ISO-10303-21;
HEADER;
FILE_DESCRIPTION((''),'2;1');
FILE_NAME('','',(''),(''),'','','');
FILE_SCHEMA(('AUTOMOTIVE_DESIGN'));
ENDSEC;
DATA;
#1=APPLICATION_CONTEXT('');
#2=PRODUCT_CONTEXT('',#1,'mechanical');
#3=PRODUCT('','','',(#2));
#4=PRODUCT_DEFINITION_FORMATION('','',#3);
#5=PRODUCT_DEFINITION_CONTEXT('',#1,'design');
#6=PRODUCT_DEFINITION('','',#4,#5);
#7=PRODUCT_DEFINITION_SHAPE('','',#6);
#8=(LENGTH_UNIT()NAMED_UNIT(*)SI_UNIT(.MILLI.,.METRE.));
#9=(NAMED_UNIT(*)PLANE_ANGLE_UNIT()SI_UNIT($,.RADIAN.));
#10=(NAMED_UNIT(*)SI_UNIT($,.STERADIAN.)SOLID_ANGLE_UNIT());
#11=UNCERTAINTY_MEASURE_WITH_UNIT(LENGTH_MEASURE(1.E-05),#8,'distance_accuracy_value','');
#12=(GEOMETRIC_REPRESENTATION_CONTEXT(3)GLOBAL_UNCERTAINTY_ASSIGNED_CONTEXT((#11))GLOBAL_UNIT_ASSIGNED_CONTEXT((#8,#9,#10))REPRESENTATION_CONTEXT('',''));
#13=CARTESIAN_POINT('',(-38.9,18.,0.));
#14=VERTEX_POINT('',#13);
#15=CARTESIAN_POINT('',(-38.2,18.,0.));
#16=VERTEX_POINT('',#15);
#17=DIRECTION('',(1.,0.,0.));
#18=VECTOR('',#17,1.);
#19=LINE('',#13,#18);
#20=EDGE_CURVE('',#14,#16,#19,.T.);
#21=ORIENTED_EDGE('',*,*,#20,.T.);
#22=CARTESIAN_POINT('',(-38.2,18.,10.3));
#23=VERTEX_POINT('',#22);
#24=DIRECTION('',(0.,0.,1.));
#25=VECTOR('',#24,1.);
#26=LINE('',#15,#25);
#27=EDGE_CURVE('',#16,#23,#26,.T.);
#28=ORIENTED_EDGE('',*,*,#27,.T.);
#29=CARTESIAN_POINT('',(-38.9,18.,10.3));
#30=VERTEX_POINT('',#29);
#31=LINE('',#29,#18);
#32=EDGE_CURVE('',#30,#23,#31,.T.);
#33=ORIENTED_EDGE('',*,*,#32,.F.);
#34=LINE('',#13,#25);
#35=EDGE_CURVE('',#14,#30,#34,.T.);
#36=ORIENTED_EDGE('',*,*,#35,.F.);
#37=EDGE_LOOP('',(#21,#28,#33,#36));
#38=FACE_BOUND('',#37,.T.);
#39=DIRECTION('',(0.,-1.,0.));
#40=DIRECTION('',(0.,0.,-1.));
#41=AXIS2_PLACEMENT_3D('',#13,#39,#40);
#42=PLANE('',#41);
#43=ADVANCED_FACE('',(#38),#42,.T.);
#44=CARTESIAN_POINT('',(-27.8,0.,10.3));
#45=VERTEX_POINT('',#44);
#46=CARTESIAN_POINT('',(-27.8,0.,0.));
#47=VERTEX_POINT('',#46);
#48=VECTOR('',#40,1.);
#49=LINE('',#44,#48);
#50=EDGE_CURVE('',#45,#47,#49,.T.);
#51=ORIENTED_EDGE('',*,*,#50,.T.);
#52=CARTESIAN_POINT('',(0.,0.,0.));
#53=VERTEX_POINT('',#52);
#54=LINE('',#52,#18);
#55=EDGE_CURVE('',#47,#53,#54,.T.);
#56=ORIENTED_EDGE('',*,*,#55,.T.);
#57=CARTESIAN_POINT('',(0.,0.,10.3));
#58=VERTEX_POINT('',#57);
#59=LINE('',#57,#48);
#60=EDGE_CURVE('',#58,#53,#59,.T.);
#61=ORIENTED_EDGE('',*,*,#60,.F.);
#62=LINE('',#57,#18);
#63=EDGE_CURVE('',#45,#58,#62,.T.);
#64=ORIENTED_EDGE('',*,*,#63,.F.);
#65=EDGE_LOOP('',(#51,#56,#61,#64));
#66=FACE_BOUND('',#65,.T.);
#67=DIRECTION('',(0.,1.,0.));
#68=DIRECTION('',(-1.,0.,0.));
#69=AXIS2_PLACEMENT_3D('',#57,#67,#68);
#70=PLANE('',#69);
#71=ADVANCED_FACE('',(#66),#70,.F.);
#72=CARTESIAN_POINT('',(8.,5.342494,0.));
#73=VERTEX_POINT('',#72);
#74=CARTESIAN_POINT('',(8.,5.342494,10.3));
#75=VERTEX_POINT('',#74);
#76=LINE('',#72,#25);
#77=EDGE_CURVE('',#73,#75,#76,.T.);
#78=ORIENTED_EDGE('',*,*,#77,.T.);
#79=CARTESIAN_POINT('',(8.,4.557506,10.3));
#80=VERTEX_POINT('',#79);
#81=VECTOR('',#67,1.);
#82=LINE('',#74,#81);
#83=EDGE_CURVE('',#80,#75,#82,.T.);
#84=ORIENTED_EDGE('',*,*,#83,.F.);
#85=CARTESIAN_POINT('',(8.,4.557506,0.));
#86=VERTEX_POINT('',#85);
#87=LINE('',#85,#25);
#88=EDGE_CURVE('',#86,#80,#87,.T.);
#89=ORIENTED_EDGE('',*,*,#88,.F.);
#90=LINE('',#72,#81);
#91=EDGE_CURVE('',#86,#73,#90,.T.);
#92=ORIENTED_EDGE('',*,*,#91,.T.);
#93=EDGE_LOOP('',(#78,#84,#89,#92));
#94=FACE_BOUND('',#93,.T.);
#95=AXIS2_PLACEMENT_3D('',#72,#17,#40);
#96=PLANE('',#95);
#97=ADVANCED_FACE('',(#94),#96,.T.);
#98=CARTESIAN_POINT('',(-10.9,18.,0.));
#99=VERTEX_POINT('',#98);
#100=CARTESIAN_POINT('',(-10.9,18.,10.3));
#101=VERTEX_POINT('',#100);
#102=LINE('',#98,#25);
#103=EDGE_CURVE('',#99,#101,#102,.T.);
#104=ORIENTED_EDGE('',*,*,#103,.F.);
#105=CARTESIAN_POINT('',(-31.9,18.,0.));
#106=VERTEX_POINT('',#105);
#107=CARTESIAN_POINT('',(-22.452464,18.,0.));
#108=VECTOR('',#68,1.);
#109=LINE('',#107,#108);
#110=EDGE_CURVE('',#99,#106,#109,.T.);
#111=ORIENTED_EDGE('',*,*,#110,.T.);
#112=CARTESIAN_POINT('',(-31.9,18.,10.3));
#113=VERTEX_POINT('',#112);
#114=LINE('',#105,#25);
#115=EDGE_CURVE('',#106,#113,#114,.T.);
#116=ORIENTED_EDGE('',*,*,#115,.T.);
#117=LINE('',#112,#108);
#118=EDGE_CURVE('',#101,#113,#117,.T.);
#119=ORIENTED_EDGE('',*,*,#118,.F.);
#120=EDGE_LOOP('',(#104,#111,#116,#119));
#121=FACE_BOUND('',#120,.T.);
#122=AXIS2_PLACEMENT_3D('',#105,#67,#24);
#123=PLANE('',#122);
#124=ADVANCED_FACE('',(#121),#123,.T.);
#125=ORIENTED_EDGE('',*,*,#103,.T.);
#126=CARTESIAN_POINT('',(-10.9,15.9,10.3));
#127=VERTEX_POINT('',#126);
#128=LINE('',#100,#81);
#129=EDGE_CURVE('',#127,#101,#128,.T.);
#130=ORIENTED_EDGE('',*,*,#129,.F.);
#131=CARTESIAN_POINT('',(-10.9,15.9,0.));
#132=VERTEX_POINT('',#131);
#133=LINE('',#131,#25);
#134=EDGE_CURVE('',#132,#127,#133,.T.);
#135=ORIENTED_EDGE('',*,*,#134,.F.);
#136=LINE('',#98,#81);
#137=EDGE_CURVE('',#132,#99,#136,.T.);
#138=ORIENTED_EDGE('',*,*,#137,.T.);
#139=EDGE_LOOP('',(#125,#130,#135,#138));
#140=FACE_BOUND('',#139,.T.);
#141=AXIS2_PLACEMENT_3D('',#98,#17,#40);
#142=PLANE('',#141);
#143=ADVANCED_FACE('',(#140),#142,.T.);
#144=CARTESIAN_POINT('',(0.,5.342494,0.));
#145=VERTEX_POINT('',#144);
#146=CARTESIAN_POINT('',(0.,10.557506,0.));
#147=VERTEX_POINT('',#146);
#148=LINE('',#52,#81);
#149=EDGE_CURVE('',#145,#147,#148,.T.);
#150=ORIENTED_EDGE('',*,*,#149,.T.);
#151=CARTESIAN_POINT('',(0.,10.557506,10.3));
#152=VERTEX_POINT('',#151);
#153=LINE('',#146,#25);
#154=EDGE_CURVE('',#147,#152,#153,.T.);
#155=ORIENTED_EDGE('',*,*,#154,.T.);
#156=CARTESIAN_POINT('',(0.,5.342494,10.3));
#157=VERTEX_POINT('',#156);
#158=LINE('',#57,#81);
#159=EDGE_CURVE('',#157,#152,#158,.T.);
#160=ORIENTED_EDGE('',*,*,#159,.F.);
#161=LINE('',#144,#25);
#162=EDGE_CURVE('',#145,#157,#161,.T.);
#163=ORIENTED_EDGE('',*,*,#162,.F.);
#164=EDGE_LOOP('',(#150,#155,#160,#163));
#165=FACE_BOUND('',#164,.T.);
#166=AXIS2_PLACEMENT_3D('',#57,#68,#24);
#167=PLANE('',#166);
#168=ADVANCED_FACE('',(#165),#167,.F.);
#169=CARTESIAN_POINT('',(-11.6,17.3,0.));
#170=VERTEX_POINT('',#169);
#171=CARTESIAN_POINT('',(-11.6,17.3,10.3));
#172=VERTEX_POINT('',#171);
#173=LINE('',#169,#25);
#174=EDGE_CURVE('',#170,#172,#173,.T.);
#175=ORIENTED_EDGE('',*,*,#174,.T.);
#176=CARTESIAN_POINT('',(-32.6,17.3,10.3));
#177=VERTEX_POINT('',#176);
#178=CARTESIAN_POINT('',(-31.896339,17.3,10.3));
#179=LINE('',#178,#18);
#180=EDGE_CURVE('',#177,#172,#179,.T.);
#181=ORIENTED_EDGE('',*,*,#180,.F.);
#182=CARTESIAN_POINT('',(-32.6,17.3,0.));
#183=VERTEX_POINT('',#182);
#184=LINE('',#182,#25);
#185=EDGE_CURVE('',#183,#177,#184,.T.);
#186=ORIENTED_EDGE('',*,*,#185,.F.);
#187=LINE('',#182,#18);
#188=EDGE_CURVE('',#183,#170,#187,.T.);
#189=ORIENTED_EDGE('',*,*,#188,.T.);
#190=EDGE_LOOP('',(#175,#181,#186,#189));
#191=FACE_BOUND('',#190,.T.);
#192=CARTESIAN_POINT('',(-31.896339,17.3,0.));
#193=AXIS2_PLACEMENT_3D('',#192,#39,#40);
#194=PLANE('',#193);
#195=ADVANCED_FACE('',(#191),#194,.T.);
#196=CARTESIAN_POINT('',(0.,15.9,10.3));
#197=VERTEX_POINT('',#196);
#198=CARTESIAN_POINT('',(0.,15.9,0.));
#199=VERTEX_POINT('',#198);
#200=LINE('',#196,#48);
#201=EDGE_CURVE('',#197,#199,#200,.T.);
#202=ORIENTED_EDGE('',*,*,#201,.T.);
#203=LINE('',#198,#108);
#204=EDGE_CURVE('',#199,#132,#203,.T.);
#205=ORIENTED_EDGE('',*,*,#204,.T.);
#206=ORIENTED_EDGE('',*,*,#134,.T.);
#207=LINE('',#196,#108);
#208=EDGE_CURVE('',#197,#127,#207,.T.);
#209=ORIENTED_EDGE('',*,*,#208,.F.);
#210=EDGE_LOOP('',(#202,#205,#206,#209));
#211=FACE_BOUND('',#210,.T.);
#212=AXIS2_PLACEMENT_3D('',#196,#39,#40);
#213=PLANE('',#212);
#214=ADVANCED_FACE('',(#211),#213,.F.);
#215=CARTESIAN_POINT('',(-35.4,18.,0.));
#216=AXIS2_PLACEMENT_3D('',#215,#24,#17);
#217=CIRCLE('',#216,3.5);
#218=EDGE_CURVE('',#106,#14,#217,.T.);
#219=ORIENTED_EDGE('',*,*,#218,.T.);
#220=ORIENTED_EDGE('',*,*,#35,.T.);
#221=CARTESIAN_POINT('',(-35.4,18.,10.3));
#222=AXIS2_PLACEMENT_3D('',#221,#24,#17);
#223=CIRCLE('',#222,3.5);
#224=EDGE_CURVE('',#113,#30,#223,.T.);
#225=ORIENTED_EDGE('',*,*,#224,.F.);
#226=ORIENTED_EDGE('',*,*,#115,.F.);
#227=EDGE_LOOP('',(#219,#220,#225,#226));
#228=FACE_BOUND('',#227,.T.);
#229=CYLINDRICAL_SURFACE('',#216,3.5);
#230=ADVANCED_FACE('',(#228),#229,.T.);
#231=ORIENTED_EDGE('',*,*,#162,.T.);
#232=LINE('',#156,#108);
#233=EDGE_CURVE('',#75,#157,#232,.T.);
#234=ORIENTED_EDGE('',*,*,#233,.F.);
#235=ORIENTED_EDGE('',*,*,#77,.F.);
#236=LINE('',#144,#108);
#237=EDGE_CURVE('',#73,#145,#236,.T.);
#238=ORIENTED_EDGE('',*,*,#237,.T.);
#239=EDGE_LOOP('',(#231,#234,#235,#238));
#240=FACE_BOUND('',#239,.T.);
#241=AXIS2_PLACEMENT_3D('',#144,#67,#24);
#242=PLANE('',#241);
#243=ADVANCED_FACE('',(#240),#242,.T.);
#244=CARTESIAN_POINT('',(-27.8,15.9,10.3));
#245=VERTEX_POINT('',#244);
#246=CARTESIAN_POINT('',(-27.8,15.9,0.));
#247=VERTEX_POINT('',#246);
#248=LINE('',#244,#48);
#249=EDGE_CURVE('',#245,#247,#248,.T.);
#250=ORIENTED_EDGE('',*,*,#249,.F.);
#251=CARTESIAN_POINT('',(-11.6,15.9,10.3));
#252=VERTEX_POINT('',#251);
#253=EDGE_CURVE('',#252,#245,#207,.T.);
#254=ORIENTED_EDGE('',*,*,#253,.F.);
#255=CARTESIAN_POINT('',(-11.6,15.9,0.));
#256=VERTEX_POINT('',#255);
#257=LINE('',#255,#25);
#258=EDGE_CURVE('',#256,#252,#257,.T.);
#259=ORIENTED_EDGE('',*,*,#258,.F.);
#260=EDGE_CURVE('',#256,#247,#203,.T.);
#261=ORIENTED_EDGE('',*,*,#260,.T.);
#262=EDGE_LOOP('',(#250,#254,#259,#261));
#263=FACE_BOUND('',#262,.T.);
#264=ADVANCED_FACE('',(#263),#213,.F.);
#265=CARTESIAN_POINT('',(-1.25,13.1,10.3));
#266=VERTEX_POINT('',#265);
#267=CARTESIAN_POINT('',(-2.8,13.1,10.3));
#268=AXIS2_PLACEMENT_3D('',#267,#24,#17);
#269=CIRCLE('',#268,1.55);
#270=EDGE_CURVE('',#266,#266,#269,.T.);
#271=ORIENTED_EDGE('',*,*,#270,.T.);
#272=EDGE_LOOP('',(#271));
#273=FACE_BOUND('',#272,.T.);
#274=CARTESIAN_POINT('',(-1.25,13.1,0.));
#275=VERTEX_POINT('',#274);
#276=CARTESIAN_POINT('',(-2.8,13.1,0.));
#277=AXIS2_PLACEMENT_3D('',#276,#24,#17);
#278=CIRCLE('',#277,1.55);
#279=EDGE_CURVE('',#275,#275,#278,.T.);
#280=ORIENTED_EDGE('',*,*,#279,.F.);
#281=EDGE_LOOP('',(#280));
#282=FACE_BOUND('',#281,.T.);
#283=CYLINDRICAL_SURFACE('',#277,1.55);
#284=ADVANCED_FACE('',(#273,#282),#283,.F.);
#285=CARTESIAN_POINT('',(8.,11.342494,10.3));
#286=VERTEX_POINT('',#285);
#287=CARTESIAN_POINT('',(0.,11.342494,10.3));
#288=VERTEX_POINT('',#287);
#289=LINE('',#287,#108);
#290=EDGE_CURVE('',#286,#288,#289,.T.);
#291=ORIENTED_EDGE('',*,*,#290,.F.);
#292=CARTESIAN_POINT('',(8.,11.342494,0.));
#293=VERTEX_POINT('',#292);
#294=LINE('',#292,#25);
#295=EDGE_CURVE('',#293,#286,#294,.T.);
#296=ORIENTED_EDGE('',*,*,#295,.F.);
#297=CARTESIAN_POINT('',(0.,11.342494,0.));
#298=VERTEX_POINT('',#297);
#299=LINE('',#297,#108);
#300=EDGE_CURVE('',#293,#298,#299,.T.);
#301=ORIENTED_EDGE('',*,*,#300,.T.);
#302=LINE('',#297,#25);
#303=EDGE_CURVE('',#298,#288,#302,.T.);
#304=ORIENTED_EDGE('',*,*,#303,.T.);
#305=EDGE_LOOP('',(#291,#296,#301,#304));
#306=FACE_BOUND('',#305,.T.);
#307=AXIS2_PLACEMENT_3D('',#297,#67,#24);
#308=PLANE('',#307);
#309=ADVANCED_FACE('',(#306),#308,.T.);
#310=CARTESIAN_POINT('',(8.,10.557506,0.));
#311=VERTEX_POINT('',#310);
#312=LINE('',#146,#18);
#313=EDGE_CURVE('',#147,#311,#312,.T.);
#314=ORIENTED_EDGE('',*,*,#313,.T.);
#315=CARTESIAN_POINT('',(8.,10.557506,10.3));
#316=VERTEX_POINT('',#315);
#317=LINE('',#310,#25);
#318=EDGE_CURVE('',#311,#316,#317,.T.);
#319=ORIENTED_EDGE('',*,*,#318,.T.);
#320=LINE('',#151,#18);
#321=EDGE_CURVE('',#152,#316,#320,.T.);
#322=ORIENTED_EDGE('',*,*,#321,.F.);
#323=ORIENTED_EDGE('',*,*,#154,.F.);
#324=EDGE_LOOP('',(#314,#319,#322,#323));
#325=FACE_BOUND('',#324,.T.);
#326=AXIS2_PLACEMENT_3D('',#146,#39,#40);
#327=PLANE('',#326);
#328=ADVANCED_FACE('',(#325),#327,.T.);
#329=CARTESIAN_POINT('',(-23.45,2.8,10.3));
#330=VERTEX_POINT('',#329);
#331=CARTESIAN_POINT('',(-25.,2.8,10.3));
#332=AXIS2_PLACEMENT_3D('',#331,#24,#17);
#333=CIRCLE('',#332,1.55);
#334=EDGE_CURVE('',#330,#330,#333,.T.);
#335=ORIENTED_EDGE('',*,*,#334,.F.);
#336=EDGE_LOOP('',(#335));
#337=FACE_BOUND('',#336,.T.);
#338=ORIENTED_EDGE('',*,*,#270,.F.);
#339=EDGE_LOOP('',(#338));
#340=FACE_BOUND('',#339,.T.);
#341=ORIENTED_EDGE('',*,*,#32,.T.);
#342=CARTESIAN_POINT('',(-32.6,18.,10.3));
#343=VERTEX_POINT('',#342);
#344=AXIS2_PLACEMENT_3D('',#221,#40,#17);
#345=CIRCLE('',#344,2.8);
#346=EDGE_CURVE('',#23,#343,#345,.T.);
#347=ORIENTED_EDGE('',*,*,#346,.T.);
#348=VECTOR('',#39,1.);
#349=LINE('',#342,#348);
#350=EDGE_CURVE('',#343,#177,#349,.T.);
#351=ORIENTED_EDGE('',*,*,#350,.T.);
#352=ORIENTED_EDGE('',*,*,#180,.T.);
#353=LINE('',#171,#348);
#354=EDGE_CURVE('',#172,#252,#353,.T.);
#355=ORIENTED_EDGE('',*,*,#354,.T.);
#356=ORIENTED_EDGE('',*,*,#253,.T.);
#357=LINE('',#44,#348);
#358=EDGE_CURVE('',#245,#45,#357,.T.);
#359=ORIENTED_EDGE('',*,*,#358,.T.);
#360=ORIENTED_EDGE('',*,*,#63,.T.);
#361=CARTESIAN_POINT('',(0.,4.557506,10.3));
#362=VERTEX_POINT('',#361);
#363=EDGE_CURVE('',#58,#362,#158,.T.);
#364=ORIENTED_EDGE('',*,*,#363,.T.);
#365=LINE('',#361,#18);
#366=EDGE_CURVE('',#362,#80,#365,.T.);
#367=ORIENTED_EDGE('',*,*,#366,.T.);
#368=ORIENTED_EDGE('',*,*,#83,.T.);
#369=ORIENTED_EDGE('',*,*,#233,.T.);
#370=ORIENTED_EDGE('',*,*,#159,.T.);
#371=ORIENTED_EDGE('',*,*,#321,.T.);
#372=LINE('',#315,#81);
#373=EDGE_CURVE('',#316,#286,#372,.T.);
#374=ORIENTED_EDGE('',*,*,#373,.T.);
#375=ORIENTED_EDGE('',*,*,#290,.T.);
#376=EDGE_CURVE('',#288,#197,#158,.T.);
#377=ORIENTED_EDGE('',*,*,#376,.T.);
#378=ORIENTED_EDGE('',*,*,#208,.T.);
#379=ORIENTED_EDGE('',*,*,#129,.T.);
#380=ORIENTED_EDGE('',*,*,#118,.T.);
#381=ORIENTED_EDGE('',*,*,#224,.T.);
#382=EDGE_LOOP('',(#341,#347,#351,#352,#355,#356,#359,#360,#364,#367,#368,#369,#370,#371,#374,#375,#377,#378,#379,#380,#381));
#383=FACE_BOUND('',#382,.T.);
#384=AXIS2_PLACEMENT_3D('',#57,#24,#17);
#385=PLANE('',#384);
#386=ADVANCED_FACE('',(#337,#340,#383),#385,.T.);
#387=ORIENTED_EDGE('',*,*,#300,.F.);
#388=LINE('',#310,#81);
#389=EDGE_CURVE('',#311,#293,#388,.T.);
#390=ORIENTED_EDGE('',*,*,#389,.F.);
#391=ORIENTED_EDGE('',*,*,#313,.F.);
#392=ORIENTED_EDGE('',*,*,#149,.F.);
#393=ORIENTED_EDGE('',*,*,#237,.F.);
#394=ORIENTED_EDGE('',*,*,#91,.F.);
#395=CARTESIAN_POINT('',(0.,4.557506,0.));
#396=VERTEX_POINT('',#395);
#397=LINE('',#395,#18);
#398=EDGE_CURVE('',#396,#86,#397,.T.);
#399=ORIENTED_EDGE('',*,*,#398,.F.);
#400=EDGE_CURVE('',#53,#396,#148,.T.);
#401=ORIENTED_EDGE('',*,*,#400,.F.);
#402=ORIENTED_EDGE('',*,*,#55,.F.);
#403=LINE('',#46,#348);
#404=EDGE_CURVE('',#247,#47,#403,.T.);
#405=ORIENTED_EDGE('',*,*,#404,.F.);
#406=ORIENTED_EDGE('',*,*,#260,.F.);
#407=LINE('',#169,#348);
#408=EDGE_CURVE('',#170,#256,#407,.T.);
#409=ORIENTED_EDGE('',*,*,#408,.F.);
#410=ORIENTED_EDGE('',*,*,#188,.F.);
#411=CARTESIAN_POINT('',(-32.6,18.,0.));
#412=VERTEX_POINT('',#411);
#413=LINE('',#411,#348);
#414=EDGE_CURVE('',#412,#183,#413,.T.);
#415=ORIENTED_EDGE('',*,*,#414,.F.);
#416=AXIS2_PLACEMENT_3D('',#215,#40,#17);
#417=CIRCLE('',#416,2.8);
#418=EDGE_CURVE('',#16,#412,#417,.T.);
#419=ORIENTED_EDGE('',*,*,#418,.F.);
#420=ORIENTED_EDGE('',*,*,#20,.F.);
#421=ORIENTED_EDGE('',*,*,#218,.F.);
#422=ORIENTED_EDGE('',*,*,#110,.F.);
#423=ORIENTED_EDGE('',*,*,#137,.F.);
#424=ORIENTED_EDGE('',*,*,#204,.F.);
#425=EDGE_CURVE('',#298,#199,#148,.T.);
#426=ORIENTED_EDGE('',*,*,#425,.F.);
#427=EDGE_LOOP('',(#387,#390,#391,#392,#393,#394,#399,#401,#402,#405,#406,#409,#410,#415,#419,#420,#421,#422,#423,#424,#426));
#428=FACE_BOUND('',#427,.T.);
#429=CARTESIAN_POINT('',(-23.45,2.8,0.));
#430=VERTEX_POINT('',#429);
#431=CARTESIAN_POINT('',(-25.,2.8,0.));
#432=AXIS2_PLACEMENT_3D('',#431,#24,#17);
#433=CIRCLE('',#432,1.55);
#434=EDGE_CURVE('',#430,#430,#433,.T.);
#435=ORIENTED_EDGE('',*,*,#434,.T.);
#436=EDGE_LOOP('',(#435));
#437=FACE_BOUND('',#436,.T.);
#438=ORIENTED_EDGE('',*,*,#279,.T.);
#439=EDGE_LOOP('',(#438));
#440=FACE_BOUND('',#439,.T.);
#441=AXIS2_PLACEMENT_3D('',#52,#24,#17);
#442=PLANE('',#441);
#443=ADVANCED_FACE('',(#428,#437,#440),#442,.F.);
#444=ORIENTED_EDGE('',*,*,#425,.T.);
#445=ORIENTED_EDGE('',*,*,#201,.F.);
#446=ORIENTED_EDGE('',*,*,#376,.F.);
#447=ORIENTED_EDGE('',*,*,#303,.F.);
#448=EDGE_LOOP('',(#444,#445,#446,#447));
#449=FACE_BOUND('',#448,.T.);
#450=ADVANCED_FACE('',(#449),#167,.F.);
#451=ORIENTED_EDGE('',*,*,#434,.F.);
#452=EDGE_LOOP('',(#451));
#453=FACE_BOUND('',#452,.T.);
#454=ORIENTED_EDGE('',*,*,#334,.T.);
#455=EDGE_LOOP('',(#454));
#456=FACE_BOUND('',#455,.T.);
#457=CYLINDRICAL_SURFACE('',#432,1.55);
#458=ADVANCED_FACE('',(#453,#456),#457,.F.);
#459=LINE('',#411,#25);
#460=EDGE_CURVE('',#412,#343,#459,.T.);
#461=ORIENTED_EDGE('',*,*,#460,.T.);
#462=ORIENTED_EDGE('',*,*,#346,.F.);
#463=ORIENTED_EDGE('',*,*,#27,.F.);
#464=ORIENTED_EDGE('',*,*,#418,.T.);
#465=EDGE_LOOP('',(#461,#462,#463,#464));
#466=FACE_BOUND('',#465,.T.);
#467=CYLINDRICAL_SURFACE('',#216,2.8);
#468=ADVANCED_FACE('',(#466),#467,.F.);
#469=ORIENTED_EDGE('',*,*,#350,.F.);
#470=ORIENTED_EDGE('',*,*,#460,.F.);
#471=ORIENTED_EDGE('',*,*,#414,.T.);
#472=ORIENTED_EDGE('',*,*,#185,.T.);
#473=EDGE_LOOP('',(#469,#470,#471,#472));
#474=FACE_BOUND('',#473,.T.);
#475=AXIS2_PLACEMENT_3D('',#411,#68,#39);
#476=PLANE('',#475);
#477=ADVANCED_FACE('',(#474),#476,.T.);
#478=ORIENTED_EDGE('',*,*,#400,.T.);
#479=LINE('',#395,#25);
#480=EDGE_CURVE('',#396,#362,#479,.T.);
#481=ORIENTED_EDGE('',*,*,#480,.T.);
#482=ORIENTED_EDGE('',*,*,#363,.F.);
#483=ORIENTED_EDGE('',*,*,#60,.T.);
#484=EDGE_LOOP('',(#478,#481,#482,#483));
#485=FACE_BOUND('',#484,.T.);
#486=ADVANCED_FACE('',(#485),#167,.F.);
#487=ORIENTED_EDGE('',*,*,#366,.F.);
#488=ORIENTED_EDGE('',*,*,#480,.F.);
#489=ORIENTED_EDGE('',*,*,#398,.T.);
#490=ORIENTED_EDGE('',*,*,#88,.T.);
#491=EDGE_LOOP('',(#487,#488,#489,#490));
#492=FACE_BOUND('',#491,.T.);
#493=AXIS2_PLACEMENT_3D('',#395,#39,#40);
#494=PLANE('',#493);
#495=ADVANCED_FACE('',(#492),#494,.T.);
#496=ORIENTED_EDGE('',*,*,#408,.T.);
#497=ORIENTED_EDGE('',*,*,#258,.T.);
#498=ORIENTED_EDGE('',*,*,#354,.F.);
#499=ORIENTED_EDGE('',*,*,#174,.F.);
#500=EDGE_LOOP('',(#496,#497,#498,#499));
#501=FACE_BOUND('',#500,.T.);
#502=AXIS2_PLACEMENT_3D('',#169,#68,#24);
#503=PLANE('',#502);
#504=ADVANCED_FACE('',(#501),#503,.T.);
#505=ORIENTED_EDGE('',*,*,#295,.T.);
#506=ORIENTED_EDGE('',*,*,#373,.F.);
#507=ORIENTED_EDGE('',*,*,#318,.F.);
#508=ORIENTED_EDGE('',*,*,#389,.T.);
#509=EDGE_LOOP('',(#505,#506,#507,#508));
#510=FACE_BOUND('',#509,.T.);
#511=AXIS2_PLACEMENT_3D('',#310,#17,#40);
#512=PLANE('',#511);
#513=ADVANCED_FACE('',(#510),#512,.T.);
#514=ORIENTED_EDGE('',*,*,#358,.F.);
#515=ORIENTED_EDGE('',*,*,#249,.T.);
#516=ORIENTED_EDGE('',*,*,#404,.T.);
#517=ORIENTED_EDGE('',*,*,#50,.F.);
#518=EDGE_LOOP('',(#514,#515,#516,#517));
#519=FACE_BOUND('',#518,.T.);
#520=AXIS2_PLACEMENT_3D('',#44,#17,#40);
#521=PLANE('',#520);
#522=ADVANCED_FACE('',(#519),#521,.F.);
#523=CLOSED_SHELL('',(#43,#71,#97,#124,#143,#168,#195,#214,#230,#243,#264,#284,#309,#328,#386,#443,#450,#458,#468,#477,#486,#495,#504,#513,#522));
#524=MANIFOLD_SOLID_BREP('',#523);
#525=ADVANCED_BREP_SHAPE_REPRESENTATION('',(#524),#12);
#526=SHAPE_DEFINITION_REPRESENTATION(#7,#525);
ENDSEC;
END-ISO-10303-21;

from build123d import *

# Parameters (mm, degrees)
SKETCH_3_W          = 27.8
SKETCH_3_H          = 15.9
EXTRUDE_1_DEPTH     = 10.3
SKETCH_4_R          = 1.55
CUT_EXTRUDE_1_DEPTH = 10.3
SKETCH_5_W          = 8
SKETCH_5_H          = 0.784988322
EXTRUDE_2_DEPTH     = 10.3
EXTRUDE_3_DEPTH     = 10.3


with BuildPart() as part:
    # 草图3 → 凸台-拉伸1 (new body)
    with BuildSketch(Plane.XY):
        with Locations((-13.9, 7.95)):
            Rectangle(SKETCH_3_W, SKETCH_3_H)
    extrude(amount=EXTRUDE_1_DEPTH)

    # 草图4 → 切除-拉伸1 (cut)
    with BuildSketch(Plane.XY.offset(10.3)):
        with Locations((-2.8, 13.1)):
            Circle(SKETCH_4_R)
        with Locations((-25, 2.8)):
            Circle(SKETCH_4_R)
    extrude(amount=-CUT_EXTRUDE_1_DEPTH, mode=Mode.SUBTRACT)

    # 草图5 → 凸台-拉伸2 (add)
    with BuildSketch(Plane.XY.offset(10.3)):
        with Locations((4, 10.95)):
            Rectangle(SKETCH_5_W, SKETCH_5_H)
        with Locations((4, 4.95)):
            Rectangle(SKETCH_5_W, SKETCH_5_H)
    extrude(amount=-EXTRUDE_2_DEPTH)

    # 草图6 → 凸台-拉伸3 (add)
    with BuildSketch(Plane.XY.offset(10.3)):
        with BuildLine():
            Line((-31.9, 18), (-22.452464215, 18))
            Line((-22.452464215, 18), (-10.9, 18))
            Line((-10.9, 18), (-10.9, 15.9))
            Line((-10.9, 15.9), (-11.6, 15.9))
            Line((-11.6, 15.9), (-11.6, 17.3))
            Line((-11.6, 17.3), (-31.896338759, 17.3))
            Line((-31.896338759, 17.3), (-32.6, 17.3))
            Line((-32.6, 17.3), (-32.6, 18))
            ThreePointArc((-32.6, 18), (-35.4, 20.8), (-38.2, 18))
            Line((-38.2, 18), (-38.9, 18))
            ThreePointArc((-38.9, 18), (-35.4, 21.5), (-31.9, 18))
        make_face()
    extrude(amount=-EXTRUDE_3_DEPTH)


solid = part.part
